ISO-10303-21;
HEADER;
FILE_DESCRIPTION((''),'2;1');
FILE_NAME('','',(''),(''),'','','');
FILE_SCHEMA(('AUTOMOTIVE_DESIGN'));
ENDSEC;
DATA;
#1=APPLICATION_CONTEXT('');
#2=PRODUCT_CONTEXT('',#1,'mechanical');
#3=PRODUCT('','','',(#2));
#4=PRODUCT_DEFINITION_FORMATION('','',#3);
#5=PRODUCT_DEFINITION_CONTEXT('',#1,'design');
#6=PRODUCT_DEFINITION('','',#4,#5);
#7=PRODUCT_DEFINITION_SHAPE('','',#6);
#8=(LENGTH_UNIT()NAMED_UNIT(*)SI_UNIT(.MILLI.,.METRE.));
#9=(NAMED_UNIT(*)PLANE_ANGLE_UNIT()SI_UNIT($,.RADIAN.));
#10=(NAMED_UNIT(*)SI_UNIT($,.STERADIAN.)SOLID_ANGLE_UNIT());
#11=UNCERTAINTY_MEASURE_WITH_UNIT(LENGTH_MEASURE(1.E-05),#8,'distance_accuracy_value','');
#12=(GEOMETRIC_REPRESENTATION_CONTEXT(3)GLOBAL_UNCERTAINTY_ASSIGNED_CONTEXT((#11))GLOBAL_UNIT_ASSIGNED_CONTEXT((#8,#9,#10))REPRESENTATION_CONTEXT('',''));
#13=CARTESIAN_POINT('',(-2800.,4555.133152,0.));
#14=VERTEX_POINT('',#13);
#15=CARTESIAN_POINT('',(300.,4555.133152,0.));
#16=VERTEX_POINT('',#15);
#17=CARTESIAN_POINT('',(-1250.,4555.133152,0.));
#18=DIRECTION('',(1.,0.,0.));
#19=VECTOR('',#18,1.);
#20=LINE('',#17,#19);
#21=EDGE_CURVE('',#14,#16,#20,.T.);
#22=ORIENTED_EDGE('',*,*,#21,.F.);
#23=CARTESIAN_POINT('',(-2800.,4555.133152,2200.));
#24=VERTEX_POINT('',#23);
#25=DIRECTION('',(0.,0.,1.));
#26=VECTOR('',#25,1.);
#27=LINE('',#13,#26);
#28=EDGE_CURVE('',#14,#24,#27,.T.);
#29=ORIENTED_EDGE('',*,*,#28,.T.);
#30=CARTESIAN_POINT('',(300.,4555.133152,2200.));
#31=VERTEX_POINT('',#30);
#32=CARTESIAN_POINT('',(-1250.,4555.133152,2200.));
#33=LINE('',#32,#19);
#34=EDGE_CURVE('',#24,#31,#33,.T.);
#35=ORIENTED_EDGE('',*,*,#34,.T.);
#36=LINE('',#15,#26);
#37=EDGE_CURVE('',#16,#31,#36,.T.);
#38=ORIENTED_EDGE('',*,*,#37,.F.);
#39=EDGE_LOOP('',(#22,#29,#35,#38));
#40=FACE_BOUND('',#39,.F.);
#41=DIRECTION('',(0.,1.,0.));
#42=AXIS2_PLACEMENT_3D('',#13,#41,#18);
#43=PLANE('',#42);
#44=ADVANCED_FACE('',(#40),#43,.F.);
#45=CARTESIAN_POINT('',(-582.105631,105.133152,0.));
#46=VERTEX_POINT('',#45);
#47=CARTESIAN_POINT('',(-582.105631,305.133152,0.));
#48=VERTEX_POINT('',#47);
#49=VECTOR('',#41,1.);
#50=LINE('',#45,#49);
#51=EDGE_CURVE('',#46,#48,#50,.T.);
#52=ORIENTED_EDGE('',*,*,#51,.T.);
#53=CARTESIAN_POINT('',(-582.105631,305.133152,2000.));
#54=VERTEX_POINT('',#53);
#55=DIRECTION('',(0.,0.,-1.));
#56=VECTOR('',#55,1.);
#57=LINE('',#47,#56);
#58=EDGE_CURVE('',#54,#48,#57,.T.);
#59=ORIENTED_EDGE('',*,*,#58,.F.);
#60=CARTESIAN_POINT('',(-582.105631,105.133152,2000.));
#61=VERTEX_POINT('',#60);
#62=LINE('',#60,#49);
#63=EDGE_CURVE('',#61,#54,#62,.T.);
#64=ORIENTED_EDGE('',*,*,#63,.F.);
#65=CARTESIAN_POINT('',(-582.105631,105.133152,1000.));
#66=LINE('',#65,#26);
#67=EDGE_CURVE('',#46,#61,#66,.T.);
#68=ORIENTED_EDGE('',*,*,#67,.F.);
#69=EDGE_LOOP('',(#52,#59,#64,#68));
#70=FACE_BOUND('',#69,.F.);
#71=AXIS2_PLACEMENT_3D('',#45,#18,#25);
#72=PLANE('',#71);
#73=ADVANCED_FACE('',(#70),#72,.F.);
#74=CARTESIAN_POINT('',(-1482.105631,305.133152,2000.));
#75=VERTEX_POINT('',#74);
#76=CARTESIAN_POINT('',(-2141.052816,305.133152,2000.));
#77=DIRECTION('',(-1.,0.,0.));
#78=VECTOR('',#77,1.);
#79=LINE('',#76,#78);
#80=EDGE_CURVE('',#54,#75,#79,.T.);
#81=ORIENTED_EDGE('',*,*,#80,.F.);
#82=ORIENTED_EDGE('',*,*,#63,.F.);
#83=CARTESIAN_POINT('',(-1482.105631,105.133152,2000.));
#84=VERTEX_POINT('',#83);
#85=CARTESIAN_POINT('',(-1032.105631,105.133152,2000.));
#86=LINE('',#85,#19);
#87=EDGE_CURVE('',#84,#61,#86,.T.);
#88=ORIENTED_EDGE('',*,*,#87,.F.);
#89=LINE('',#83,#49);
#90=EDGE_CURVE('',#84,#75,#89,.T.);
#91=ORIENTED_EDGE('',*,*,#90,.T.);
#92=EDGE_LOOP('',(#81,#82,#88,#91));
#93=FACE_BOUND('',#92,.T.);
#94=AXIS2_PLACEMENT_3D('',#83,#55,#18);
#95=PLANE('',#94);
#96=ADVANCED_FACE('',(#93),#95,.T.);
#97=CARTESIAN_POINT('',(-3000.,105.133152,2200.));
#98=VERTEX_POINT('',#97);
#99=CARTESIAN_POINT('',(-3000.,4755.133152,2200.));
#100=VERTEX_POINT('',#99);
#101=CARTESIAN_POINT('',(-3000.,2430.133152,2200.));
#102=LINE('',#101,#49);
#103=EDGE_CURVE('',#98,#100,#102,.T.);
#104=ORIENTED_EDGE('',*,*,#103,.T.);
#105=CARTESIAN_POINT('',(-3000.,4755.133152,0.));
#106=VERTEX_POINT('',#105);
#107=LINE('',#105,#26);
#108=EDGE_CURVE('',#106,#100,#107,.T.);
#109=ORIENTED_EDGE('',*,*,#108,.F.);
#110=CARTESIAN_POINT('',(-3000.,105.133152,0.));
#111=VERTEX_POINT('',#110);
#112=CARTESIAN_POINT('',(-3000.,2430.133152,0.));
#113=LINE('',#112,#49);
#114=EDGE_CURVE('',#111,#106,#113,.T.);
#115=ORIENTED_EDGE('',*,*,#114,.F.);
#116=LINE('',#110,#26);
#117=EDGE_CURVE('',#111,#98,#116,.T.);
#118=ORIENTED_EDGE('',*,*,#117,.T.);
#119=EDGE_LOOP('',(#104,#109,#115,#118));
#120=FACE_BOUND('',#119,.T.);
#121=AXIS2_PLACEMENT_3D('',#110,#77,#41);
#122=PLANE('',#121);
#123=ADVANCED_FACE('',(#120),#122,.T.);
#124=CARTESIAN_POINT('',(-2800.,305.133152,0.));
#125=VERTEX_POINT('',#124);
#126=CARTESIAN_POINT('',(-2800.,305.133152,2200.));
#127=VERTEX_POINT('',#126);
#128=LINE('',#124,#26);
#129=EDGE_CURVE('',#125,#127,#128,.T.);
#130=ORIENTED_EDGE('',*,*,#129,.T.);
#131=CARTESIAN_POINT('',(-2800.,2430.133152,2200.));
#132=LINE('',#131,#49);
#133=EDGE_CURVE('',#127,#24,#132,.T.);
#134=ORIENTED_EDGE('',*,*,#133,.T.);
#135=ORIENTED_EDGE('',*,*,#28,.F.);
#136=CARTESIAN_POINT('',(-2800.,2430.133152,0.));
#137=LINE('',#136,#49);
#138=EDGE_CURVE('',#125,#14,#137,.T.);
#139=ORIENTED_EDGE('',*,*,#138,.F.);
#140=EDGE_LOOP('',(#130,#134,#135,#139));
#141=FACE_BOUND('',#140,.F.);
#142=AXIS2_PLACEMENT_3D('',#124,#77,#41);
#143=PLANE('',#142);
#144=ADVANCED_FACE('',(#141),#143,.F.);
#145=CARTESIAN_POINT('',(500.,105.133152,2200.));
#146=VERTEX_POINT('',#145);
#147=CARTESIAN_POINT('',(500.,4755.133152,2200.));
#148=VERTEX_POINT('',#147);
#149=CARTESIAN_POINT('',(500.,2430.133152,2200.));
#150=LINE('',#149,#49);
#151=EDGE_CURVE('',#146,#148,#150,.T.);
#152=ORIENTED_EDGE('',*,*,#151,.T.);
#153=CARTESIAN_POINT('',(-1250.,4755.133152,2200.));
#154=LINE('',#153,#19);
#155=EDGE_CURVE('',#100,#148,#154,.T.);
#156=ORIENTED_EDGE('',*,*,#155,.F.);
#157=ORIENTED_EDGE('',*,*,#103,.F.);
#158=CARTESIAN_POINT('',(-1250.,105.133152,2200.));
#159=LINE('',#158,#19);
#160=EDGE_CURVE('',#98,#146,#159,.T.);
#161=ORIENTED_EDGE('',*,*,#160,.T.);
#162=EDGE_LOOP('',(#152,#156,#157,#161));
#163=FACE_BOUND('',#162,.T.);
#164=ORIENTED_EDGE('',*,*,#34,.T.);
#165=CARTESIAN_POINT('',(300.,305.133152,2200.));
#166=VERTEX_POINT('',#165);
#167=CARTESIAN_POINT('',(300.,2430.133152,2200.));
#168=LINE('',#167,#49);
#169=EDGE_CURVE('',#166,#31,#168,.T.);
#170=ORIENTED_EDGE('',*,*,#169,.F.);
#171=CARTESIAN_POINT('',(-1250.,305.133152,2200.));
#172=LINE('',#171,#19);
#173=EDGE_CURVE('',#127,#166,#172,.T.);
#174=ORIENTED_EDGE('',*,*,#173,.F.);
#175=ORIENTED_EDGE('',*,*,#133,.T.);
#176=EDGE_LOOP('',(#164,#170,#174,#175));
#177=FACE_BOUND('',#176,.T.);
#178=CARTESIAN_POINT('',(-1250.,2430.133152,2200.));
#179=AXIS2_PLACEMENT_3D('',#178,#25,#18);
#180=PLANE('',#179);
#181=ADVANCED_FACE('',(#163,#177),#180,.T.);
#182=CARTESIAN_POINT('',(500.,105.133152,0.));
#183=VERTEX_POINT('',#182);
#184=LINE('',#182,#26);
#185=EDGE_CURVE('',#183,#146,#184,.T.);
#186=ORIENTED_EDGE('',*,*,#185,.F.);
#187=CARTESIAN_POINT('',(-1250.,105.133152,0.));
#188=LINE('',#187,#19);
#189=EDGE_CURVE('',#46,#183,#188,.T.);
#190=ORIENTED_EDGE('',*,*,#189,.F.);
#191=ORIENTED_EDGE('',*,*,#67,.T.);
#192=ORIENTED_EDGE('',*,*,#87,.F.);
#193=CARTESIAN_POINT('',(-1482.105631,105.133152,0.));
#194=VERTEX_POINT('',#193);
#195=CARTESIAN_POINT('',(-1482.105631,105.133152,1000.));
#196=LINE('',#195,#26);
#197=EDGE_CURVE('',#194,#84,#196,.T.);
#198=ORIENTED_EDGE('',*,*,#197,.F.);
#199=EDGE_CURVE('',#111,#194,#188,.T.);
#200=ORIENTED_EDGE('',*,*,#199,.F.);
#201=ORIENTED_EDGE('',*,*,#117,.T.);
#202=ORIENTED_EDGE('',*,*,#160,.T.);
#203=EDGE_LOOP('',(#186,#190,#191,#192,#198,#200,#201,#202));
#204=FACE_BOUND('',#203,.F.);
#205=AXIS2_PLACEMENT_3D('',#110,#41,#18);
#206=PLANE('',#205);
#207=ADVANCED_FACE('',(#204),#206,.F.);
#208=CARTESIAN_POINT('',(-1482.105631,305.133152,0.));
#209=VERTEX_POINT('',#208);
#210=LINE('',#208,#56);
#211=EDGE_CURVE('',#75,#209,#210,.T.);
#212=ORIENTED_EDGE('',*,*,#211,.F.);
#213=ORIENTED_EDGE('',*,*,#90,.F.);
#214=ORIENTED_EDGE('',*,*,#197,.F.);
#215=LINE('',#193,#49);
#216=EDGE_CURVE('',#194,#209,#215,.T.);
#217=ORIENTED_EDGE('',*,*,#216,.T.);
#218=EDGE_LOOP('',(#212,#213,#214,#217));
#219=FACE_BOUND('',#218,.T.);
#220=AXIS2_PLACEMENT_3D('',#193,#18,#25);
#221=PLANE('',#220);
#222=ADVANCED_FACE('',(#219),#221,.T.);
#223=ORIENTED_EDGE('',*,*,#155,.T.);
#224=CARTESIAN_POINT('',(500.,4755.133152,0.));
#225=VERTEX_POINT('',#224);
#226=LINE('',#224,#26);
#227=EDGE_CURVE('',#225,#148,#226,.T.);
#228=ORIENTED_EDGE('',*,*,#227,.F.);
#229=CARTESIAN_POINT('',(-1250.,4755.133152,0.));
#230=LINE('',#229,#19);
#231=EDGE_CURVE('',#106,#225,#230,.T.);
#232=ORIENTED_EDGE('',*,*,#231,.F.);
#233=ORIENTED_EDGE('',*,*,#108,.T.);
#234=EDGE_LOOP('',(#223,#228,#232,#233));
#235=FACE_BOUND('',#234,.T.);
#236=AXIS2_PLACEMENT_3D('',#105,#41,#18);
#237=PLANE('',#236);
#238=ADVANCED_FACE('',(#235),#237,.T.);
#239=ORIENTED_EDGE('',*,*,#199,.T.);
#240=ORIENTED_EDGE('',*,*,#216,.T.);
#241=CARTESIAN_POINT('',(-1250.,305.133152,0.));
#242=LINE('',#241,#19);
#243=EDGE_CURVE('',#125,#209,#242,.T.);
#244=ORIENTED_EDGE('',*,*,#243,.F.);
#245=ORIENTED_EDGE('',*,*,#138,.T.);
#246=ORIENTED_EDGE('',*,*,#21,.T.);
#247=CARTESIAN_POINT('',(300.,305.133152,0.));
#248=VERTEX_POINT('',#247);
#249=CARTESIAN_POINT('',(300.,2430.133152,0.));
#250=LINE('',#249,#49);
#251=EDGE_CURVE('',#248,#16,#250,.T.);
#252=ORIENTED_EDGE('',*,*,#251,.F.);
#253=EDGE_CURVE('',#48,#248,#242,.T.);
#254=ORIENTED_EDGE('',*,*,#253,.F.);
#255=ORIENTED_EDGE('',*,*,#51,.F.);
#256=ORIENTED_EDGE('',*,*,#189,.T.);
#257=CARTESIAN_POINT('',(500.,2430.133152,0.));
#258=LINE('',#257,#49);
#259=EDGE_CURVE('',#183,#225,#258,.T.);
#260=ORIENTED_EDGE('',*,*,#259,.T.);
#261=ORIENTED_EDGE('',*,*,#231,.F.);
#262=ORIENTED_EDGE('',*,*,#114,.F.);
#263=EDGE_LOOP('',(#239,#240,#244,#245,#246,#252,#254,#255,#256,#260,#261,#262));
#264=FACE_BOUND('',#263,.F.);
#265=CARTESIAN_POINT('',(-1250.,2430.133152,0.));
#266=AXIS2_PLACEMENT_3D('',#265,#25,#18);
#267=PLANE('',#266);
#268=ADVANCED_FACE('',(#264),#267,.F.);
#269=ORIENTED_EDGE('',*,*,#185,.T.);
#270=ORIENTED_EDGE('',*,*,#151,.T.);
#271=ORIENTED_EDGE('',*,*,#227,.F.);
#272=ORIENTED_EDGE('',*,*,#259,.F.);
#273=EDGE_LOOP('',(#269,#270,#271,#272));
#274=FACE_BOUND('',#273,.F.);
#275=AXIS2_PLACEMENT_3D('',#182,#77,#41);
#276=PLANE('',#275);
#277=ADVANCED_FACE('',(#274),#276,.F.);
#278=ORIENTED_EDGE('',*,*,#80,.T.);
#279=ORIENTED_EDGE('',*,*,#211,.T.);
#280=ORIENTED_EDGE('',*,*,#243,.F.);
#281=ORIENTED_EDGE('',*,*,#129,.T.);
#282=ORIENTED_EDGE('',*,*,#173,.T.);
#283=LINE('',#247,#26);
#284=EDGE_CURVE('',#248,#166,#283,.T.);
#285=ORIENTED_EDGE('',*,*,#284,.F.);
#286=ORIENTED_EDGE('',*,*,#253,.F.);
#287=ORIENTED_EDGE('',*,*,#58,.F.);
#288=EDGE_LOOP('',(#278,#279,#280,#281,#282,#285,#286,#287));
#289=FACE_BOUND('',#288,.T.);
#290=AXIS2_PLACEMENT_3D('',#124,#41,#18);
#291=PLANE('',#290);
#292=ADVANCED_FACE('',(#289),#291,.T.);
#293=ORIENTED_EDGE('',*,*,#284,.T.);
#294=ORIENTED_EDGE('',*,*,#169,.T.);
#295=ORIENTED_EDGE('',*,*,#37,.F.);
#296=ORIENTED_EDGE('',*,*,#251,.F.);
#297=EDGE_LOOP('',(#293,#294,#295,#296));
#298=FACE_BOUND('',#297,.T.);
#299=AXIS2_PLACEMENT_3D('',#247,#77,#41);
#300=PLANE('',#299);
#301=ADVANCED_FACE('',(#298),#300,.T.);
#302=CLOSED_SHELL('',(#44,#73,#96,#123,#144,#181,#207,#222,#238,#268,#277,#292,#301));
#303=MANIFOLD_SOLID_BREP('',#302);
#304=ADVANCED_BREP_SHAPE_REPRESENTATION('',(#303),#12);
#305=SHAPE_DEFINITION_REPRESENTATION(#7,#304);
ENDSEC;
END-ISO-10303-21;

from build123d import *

# Parameters (mm, degrees)
F0_W     = 3500
F0_H     = 4650
F0_W_2   = 3100
F0_H_2   = 4250
F1_DEPTH = 2200
F2_W     = 900
F2_H     = 2000
F3_DEPTH = 300


with BuildPart() as f1:
    # F0 (on Top) → F1 (new body)
    with BuildSketch(Plane.XY):
        with Locations((-1250, 2430.133152)):
            Rectangle(F0_W, F0_H)
        with Locations((-1250, 2430.133152)):
            Rectangle(F0_W_2, F0_H_2, mode=Mode.SUBTRACT)
    extrude(amount=F1_DEPTH)

    # F2 (on face) → F3 (cut)
    with BuildSketch(Plane.XZ.offset(-105.133152)):
        with Locations((-1032.105631, 1000)):
            Rectangle(F2_W, F2_H)
    extrude(amount=-F3_DEPTH, mode=Mode.SUBTRACT)


solid = f1.part
